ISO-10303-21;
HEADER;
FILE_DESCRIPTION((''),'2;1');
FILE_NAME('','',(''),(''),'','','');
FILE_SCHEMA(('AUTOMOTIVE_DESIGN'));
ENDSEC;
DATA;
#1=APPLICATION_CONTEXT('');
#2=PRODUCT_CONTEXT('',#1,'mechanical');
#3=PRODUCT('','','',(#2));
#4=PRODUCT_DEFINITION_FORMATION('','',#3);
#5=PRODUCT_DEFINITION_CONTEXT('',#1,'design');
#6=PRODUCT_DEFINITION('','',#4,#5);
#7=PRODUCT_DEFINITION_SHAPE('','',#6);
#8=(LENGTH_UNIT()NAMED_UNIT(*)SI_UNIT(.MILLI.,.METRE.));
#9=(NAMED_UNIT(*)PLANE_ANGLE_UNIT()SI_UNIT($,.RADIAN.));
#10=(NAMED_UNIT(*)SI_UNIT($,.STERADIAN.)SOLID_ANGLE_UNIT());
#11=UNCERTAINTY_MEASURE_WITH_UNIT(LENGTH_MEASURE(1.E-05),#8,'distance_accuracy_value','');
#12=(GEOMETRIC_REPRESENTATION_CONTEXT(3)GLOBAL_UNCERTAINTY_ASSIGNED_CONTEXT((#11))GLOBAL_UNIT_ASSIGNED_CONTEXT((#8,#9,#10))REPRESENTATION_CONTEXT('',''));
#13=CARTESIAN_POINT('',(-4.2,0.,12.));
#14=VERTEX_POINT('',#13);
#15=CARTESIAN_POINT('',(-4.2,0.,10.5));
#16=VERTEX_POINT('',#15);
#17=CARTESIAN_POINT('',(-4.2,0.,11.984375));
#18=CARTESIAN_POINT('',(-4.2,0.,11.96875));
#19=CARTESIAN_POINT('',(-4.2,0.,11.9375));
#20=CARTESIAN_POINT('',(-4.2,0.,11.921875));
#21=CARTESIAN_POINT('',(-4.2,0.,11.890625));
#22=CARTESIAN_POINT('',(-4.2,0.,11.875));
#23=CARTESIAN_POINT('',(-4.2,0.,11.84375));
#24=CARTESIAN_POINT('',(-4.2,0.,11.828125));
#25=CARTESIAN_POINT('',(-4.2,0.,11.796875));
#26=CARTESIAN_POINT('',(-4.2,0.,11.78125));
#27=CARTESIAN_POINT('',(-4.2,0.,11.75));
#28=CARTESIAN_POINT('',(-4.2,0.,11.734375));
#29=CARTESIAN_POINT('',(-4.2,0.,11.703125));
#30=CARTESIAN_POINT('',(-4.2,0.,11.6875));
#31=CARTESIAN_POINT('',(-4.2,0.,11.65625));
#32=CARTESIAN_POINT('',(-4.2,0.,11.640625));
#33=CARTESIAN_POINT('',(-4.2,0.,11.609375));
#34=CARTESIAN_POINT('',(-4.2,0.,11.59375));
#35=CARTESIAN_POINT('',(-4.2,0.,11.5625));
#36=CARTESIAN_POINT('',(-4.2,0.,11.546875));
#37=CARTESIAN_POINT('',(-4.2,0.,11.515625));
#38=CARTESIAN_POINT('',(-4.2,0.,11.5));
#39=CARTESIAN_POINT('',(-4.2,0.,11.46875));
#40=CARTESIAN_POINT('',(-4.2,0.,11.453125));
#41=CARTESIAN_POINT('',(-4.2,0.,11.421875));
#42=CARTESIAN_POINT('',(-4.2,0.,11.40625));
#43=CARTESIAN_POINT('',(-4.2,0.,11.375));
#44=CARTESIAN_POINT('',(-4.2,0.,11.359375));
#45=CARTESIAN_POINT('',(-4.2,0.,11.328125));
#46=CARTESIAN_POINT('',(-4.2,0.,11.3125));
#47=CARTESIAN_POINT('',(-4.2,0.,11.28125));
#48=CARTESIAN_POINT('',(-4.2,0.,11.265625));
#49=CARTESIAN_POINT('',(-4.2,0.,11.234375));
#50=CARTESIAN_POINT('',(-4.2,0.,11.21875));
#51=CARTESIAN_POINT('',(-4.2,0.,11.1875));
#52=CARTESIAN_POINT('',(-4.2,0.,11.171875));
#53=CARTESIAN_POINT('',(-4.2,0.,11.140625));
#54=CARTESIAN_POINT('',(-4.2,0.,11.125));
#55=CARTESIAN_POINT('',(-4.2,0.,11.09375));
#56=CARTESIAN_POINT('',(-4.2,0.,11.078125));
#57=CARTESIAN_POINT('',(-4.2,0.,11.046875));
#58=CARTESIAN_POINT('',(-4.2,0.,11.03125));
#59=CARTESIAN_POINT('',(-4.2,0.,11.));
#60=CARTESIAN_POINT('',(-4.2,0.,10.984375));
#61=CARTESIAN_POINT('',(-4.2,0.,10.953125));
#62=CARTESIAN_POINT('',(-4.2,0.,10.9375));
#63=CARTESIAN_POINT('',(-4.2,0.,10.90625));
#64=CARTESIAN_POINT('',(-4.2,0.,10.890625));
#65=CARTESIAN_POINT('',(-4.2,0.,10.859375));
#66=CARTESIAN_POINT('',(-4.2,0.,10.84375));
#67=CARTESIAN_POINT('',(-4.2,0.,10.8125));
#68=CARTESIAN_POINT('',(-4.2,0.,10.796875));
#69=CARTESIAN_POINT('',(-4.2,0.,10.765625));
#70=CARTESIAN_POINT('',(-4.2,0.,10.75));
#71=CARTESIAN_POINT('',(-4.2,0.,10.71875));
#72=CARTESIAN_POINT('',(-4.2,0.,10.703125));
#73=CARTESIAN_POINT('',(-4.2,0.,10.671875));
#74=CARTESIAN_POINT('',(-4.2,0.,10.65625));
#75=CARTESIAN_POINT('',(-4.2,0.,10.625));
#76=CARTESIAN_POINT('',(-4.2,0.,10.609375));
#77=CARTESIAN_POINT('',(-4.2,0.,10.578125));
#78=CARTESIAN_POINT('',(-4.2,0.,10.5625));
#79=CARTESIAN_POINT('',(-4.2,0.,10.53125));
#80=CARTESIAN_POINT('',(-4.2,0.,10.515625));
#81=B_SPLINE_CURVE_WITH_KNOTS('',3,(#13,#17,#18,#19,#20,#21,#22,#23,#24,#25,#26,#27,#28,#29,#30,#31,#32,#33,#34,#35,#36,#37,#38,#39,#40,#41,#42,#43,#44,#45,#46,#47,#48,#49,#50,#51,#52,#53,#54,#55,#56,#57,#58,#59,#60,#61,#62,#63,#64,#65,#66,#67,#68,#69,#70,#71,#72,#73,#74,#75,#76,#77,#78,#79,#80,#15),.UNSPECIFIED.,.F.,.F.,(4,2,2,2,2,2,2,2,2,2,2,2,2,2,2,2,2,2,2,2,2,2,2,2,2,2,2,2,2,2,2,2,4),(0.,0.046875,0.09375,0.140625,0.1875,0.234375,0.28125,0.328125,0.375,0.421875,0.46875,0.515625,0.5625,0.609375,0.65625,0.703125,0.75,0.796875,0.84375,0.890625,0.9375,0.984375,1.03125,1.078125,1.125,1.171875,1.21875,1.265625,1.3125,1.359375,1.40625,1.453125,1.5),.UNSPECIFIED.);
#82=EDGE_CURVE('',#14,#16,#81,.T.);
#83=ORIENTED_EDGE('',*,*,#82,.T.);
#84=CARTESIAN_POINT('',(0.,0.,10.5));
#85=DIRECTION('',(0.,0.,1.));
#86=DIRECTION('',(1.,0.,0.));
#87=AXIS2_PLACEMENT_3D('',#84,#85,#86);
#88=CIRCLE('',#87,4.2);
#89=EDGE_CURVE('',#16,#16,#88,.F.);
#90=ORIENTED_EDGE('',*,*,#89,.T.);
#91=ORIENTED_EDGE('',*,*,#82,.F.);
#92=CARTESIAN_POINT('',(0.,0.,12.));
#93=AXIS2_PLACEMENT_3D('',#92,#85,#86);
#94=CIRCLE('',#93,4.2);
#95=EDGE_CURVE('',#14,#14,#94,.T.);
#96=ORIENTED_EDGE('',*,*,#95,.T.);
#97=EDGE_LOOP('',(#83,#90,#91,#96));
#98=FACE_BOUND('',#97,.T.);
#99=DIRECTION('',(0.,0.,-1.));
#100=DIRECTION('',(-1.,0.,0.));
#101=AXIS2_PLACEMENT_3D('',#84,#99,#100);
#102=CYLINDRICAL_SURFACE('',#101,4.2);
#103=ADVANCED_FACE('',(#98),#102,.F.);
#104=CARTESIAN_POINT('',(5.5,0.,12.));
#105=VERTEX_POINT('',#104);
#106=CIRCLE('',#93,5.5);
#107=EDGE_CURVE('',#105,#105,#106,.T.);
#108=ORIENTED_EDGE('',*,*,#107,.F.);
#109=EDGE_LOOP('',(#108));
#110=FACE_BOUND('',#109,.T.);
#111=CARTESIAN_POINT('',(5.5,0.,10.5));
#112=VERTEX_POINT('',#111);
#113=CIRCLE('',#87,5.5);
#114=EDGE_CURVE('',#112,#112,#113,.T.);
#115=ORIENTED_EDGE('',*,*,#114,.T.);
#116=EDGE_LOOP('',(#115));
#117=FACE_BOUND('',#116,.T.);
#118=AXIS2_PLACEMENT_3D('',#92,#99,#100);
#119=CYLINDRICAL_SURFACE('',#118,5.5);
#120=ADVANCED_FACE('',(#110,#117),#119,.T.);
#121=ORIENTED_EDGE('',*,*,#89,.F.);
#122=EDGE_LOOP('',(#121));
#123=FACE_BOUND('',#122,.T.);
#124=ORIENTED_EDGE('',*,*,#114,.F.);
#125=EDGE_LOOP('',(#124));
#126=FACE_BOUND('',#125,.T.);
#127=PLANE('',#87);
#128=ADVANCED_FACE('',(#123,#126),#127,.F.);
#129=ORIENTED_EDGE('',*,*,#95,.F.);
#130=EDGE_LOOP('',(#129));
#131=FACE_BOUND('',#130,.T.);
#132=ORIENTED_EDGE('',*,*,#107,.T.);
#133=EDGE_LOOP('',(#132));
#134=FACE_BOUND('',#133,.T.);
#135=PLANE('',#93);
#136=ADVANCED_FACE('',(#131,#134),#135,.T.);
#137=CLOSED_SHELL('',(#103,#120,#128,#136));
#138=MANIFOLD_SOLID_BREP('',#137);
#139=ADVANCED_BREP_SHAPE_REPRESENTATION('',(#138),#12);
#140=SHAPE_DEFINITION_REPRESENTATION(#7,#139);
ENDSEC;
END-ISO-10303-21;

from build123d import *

# Parameters (mm, degrees)
BOSS_EXTRUDE1_START     = 10.5
SKETCH1_R               = 5.5
BOSS_EXTRUDE1_DEPTH     = 1.5
CUT_EXTRUDE1_DEPTH      = 15.300349646
CUT_EXTRUDE1_DEPTH_BACK = 15.300349646
SKETCH2_R               = 4.2


with BuildPart() as part:
    # Sketch1 → Boss-Extrude1 (new body)
    with BuildSketch(Plane.XY.offset(BOSS_EXTRUDE1_START)):
        Circle(SKETCH1_R)
    extrude(amount=BOSS_EXTRUDE1_DEPTH)

    # Sketch2 → Cut-Extrude1 (cut, two sides: drawn at the far end of the back side and taken through both)
    with BuildSketch(Plane.XY.offset(-CUT_EXTRUDE1_DEPTH_BACK)):
        with Locations(Location((0, 0, 0), (0, 0, 180))):
            Circle(SKETCH2_R)
    extrude(amount=CUT_EXTRUDE1_DEPTH + CUT_EXTRUDE1_DEPTH_BACK, mode=Mode.SUBTRACT)


solid = part.part
